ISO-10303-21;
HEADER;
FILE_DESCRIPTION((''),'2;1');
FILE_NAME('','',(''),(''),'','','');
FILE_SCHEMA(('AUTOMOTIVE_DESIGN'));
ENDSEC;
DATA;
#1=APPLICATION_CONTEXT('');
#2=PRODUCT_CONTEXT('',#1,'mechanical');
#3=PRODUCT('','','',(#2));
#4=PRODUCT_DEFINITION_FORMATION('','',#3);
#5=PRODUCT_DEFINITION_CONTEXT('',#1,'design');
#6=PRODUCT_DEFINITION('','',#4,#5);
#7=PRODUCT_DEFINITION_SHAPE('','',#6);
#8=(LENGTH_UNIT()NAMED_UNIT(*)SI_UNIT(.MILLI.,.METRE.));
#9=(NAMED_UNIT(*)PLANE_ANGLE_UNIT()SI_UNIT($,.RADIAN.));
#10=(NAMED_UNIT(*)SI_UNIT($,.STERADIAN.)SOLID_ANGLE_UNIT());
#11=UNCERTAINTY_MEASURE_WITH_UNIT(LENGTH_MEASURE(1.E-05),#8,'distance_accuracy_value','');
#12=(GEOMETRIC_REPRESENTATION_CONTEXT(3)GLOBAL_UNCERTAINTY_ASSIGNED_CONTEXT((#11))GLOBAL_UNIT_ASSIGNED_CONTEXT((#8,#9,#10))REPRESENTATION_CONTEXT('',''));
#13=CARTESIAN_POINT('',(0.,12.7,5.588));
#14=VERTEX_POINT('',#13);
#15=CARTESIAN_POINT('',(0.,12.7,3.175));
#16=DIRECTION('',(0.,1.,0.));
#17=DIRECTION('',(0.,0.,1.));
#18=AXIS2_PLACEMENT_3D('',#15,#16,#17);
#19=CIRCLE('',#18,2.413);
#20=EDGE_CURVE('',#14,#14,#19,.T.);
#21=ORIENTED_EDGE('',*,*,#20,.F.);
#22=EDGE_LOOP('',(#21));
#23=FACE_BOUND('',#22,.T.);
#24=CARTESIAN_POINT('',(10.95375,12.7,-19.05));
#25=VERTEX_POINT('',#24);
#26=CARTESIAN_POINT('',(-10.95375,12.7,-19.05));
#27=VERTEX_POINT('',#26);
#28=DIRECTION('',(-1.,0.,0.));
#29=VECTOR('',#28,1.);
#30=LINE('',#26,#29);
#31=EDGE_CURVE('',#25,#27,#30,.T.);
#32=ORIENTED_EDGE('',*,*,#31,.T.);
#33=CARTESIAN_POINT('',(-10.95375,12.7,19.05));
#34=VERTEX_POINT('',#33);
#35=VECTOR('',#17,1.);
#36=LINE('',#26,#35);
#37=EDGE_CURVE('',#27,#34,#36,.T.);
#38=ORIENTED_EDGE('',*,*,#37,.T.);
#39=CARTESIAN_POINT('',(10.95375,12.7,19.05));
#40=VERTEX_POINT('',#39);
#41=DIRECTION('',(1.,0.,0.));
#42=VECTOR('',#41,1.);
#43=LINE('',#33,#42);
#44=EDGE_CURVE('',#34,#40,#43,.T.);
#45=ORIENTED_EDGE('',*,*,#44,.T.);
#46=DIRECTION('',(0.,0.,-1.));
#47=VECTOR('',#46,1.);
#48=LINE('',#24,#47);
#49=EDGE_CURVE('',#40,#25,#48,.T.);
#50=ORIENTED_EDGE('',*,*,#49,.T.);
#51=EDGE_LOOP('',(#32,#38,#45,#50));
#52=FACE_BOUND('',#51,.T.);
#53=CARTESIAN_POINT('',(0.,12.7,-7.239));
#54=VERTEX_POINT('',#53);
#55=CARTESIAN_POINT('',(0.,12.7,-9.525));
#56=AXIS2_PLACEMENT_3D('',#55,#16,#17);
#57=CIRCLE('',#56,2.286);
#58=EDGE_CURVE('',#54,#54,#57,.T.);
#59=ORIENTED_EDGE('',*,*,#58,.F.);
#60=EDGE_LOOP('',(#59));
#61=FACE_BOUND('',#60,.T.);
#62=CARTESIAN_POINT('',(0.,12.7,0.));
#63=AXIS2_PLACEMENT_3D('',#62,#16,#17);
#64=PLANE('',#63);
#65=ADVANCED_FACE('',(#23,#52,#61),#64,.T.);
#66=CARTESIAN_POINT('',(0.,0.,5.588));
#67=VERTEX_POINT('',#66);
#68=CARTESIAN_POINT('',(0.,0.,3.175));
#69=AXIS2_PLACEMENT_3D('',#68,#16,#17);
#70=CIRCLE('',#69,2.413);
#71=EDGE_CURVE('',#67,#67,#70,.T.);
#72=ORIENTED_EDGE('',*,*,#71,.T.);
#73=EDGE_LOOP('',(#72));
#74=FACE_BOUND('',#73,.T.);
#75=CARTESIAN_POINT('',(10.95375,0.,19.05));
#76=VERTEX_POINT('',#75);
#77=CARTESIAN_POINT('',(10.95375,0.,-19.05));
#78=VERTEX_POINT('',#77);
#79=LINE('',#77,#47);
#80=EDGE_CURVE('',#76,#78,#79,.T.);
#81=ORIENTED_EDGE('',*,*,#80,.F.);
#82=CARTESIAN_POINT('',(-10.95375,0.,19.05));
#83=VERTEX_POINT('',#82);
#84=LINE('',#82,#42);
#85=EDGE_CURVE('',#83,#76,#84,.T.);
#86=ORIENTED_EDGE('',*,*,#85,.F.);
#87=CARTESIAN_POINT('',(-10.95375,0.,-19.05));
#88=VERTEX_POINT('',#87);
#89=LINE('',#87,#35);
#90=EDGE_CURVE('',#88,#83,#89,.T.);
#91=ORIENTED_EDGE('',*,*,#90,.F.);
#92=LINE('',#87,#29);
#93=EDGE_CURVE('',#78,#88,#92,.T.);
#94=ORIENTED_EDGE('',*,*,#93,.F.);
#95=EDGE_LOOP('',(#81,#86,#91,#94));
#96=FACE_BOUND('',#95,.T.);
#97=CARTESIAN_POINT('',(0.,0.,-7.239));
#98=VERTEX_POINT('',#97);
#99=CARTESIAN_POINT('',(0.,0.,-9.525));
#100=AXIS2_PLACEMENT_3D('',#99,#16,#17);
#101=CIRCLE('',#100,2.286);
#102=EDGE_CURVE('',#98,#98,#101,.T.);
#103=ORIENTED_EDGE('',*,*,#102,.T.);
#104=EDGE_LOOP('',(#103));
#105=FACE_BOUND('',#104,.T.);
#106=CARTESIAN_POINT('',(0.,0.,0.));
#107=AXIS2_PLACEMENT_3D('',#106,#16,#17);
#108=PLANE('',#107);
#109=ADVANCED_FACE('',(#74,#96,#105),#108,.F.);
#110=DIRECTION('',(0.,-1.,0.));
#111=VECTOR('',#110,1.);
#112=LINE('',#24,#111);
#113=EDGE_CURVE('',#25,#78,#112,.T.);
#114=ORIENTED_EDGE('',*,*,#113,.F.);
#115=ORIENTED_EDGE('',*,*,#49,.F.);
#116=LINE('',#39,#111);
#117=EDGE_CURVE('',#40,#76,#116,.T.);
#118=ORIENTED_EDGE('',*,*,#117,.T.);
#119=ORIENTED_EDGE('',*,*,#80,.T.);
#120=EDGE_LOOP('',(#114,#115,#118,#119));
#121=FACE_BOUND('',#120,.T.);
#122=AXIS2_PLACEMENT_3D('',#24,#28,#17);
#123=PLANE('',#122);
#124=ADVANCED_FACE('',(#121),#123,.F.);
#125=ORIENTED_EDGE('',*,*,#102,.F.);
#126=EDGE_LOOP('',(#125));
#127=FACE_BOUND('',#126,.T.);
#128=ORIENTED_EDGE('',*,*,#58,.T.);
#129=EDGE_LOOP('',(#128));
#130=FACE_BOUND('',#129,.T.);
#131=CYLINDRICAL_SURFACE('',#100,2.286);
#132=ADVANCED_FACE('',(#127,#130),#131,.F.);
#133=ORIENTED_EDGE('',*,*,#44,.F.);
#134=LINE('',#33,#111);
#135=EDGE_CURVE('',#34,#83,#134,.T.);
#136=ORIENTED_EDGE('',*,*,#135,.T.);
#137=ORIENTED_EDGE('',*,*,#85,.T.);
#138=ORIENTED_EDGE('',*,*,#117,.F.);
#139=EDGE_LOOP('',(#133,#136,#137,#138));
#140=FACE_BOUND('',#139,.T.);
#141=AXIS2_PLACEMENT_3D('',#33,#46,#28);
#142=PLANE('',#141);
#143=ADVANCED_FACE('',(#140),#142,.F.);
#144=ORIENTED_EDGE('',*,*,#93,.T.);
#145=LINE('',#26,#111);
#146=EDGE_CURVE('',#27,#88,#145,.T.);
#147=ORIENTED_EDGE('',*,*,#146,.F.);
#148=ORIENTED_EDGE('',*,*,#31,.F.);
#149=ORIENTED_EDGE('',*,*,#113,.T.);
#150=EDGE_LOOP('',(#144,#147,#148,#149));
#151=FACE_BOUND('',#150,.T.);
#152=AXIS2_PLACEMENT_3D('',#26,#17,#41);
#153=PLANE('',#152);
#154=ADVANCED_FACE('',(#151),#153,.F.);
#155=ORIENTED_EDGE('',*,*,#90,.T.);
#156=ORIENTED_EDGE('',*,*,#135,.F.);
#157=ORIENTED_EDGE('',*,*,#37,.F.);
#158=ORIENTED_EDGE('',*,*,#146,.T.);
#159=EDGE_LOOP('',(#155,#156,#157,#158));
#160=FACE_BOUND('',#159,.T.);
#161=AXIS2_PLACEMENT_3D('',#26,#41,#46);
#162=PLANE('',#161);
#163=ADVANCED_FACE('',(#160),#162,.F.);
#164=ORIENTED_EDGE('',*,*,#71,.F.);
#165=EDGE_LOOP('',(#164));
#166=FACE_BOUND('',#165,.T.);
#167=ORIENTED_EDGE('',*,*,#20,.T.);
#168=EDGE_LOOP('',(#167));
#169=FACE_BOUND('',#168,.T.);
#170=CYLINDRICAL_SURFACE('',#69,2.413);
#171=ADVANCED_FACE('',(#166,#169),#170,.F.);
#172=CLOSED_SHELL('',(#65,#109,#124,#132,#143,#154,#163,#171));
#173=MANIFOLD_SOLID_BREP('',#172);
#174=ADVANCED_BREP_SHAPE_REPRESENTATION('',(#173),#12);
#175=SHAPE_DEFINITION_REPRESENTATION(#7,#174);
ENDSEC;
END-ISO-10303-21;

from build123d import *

# Parameters (mm, degrees)
SKETCH1_W           = 21.9075
SKETCH1_H           = 38.1
BOSS_EXTRUDE1_DEPTH = 12.7
SKETCH2_R           = 2.286
SKETCH2_R_2         = 2.413
CUT_EXTRUDE1_DEPTH  = 26.380644969


with BuildPart() as part:
    # Sketch1 → Boss-Extrude1 (new body)
    with BuildSketch(Plane(origin=(0, 0, 0), x_dir=(1, 0, 0), z_dir=(0, 1, 0))):
        Rectangle(SKETCH1_W, SKETCH1_H)
    extrude(amount=BOSS_EXTRUDE1_DEPTH)

    # Sketch2 → Cut-Extrude1 (cut, through all)
    with BuildSketch(Plane(origin=(0, 12.7, 0), x_dir=(1, 0, 0), z_dir=(0, 1, 0))):
        with Locations(Location((0, 9.525, 0), (0, 0, 270))):
            Circle(SKETCH2_R)
        with Locations(Location((0, -3.175, 0), (0, 0, 270))):
            Circle(SKETCH2_R_2)
    extrude(amount=-CUT_EXTRUDE1_DEPTH, mode=Mode.SUBTRACT)


solid = part.part
